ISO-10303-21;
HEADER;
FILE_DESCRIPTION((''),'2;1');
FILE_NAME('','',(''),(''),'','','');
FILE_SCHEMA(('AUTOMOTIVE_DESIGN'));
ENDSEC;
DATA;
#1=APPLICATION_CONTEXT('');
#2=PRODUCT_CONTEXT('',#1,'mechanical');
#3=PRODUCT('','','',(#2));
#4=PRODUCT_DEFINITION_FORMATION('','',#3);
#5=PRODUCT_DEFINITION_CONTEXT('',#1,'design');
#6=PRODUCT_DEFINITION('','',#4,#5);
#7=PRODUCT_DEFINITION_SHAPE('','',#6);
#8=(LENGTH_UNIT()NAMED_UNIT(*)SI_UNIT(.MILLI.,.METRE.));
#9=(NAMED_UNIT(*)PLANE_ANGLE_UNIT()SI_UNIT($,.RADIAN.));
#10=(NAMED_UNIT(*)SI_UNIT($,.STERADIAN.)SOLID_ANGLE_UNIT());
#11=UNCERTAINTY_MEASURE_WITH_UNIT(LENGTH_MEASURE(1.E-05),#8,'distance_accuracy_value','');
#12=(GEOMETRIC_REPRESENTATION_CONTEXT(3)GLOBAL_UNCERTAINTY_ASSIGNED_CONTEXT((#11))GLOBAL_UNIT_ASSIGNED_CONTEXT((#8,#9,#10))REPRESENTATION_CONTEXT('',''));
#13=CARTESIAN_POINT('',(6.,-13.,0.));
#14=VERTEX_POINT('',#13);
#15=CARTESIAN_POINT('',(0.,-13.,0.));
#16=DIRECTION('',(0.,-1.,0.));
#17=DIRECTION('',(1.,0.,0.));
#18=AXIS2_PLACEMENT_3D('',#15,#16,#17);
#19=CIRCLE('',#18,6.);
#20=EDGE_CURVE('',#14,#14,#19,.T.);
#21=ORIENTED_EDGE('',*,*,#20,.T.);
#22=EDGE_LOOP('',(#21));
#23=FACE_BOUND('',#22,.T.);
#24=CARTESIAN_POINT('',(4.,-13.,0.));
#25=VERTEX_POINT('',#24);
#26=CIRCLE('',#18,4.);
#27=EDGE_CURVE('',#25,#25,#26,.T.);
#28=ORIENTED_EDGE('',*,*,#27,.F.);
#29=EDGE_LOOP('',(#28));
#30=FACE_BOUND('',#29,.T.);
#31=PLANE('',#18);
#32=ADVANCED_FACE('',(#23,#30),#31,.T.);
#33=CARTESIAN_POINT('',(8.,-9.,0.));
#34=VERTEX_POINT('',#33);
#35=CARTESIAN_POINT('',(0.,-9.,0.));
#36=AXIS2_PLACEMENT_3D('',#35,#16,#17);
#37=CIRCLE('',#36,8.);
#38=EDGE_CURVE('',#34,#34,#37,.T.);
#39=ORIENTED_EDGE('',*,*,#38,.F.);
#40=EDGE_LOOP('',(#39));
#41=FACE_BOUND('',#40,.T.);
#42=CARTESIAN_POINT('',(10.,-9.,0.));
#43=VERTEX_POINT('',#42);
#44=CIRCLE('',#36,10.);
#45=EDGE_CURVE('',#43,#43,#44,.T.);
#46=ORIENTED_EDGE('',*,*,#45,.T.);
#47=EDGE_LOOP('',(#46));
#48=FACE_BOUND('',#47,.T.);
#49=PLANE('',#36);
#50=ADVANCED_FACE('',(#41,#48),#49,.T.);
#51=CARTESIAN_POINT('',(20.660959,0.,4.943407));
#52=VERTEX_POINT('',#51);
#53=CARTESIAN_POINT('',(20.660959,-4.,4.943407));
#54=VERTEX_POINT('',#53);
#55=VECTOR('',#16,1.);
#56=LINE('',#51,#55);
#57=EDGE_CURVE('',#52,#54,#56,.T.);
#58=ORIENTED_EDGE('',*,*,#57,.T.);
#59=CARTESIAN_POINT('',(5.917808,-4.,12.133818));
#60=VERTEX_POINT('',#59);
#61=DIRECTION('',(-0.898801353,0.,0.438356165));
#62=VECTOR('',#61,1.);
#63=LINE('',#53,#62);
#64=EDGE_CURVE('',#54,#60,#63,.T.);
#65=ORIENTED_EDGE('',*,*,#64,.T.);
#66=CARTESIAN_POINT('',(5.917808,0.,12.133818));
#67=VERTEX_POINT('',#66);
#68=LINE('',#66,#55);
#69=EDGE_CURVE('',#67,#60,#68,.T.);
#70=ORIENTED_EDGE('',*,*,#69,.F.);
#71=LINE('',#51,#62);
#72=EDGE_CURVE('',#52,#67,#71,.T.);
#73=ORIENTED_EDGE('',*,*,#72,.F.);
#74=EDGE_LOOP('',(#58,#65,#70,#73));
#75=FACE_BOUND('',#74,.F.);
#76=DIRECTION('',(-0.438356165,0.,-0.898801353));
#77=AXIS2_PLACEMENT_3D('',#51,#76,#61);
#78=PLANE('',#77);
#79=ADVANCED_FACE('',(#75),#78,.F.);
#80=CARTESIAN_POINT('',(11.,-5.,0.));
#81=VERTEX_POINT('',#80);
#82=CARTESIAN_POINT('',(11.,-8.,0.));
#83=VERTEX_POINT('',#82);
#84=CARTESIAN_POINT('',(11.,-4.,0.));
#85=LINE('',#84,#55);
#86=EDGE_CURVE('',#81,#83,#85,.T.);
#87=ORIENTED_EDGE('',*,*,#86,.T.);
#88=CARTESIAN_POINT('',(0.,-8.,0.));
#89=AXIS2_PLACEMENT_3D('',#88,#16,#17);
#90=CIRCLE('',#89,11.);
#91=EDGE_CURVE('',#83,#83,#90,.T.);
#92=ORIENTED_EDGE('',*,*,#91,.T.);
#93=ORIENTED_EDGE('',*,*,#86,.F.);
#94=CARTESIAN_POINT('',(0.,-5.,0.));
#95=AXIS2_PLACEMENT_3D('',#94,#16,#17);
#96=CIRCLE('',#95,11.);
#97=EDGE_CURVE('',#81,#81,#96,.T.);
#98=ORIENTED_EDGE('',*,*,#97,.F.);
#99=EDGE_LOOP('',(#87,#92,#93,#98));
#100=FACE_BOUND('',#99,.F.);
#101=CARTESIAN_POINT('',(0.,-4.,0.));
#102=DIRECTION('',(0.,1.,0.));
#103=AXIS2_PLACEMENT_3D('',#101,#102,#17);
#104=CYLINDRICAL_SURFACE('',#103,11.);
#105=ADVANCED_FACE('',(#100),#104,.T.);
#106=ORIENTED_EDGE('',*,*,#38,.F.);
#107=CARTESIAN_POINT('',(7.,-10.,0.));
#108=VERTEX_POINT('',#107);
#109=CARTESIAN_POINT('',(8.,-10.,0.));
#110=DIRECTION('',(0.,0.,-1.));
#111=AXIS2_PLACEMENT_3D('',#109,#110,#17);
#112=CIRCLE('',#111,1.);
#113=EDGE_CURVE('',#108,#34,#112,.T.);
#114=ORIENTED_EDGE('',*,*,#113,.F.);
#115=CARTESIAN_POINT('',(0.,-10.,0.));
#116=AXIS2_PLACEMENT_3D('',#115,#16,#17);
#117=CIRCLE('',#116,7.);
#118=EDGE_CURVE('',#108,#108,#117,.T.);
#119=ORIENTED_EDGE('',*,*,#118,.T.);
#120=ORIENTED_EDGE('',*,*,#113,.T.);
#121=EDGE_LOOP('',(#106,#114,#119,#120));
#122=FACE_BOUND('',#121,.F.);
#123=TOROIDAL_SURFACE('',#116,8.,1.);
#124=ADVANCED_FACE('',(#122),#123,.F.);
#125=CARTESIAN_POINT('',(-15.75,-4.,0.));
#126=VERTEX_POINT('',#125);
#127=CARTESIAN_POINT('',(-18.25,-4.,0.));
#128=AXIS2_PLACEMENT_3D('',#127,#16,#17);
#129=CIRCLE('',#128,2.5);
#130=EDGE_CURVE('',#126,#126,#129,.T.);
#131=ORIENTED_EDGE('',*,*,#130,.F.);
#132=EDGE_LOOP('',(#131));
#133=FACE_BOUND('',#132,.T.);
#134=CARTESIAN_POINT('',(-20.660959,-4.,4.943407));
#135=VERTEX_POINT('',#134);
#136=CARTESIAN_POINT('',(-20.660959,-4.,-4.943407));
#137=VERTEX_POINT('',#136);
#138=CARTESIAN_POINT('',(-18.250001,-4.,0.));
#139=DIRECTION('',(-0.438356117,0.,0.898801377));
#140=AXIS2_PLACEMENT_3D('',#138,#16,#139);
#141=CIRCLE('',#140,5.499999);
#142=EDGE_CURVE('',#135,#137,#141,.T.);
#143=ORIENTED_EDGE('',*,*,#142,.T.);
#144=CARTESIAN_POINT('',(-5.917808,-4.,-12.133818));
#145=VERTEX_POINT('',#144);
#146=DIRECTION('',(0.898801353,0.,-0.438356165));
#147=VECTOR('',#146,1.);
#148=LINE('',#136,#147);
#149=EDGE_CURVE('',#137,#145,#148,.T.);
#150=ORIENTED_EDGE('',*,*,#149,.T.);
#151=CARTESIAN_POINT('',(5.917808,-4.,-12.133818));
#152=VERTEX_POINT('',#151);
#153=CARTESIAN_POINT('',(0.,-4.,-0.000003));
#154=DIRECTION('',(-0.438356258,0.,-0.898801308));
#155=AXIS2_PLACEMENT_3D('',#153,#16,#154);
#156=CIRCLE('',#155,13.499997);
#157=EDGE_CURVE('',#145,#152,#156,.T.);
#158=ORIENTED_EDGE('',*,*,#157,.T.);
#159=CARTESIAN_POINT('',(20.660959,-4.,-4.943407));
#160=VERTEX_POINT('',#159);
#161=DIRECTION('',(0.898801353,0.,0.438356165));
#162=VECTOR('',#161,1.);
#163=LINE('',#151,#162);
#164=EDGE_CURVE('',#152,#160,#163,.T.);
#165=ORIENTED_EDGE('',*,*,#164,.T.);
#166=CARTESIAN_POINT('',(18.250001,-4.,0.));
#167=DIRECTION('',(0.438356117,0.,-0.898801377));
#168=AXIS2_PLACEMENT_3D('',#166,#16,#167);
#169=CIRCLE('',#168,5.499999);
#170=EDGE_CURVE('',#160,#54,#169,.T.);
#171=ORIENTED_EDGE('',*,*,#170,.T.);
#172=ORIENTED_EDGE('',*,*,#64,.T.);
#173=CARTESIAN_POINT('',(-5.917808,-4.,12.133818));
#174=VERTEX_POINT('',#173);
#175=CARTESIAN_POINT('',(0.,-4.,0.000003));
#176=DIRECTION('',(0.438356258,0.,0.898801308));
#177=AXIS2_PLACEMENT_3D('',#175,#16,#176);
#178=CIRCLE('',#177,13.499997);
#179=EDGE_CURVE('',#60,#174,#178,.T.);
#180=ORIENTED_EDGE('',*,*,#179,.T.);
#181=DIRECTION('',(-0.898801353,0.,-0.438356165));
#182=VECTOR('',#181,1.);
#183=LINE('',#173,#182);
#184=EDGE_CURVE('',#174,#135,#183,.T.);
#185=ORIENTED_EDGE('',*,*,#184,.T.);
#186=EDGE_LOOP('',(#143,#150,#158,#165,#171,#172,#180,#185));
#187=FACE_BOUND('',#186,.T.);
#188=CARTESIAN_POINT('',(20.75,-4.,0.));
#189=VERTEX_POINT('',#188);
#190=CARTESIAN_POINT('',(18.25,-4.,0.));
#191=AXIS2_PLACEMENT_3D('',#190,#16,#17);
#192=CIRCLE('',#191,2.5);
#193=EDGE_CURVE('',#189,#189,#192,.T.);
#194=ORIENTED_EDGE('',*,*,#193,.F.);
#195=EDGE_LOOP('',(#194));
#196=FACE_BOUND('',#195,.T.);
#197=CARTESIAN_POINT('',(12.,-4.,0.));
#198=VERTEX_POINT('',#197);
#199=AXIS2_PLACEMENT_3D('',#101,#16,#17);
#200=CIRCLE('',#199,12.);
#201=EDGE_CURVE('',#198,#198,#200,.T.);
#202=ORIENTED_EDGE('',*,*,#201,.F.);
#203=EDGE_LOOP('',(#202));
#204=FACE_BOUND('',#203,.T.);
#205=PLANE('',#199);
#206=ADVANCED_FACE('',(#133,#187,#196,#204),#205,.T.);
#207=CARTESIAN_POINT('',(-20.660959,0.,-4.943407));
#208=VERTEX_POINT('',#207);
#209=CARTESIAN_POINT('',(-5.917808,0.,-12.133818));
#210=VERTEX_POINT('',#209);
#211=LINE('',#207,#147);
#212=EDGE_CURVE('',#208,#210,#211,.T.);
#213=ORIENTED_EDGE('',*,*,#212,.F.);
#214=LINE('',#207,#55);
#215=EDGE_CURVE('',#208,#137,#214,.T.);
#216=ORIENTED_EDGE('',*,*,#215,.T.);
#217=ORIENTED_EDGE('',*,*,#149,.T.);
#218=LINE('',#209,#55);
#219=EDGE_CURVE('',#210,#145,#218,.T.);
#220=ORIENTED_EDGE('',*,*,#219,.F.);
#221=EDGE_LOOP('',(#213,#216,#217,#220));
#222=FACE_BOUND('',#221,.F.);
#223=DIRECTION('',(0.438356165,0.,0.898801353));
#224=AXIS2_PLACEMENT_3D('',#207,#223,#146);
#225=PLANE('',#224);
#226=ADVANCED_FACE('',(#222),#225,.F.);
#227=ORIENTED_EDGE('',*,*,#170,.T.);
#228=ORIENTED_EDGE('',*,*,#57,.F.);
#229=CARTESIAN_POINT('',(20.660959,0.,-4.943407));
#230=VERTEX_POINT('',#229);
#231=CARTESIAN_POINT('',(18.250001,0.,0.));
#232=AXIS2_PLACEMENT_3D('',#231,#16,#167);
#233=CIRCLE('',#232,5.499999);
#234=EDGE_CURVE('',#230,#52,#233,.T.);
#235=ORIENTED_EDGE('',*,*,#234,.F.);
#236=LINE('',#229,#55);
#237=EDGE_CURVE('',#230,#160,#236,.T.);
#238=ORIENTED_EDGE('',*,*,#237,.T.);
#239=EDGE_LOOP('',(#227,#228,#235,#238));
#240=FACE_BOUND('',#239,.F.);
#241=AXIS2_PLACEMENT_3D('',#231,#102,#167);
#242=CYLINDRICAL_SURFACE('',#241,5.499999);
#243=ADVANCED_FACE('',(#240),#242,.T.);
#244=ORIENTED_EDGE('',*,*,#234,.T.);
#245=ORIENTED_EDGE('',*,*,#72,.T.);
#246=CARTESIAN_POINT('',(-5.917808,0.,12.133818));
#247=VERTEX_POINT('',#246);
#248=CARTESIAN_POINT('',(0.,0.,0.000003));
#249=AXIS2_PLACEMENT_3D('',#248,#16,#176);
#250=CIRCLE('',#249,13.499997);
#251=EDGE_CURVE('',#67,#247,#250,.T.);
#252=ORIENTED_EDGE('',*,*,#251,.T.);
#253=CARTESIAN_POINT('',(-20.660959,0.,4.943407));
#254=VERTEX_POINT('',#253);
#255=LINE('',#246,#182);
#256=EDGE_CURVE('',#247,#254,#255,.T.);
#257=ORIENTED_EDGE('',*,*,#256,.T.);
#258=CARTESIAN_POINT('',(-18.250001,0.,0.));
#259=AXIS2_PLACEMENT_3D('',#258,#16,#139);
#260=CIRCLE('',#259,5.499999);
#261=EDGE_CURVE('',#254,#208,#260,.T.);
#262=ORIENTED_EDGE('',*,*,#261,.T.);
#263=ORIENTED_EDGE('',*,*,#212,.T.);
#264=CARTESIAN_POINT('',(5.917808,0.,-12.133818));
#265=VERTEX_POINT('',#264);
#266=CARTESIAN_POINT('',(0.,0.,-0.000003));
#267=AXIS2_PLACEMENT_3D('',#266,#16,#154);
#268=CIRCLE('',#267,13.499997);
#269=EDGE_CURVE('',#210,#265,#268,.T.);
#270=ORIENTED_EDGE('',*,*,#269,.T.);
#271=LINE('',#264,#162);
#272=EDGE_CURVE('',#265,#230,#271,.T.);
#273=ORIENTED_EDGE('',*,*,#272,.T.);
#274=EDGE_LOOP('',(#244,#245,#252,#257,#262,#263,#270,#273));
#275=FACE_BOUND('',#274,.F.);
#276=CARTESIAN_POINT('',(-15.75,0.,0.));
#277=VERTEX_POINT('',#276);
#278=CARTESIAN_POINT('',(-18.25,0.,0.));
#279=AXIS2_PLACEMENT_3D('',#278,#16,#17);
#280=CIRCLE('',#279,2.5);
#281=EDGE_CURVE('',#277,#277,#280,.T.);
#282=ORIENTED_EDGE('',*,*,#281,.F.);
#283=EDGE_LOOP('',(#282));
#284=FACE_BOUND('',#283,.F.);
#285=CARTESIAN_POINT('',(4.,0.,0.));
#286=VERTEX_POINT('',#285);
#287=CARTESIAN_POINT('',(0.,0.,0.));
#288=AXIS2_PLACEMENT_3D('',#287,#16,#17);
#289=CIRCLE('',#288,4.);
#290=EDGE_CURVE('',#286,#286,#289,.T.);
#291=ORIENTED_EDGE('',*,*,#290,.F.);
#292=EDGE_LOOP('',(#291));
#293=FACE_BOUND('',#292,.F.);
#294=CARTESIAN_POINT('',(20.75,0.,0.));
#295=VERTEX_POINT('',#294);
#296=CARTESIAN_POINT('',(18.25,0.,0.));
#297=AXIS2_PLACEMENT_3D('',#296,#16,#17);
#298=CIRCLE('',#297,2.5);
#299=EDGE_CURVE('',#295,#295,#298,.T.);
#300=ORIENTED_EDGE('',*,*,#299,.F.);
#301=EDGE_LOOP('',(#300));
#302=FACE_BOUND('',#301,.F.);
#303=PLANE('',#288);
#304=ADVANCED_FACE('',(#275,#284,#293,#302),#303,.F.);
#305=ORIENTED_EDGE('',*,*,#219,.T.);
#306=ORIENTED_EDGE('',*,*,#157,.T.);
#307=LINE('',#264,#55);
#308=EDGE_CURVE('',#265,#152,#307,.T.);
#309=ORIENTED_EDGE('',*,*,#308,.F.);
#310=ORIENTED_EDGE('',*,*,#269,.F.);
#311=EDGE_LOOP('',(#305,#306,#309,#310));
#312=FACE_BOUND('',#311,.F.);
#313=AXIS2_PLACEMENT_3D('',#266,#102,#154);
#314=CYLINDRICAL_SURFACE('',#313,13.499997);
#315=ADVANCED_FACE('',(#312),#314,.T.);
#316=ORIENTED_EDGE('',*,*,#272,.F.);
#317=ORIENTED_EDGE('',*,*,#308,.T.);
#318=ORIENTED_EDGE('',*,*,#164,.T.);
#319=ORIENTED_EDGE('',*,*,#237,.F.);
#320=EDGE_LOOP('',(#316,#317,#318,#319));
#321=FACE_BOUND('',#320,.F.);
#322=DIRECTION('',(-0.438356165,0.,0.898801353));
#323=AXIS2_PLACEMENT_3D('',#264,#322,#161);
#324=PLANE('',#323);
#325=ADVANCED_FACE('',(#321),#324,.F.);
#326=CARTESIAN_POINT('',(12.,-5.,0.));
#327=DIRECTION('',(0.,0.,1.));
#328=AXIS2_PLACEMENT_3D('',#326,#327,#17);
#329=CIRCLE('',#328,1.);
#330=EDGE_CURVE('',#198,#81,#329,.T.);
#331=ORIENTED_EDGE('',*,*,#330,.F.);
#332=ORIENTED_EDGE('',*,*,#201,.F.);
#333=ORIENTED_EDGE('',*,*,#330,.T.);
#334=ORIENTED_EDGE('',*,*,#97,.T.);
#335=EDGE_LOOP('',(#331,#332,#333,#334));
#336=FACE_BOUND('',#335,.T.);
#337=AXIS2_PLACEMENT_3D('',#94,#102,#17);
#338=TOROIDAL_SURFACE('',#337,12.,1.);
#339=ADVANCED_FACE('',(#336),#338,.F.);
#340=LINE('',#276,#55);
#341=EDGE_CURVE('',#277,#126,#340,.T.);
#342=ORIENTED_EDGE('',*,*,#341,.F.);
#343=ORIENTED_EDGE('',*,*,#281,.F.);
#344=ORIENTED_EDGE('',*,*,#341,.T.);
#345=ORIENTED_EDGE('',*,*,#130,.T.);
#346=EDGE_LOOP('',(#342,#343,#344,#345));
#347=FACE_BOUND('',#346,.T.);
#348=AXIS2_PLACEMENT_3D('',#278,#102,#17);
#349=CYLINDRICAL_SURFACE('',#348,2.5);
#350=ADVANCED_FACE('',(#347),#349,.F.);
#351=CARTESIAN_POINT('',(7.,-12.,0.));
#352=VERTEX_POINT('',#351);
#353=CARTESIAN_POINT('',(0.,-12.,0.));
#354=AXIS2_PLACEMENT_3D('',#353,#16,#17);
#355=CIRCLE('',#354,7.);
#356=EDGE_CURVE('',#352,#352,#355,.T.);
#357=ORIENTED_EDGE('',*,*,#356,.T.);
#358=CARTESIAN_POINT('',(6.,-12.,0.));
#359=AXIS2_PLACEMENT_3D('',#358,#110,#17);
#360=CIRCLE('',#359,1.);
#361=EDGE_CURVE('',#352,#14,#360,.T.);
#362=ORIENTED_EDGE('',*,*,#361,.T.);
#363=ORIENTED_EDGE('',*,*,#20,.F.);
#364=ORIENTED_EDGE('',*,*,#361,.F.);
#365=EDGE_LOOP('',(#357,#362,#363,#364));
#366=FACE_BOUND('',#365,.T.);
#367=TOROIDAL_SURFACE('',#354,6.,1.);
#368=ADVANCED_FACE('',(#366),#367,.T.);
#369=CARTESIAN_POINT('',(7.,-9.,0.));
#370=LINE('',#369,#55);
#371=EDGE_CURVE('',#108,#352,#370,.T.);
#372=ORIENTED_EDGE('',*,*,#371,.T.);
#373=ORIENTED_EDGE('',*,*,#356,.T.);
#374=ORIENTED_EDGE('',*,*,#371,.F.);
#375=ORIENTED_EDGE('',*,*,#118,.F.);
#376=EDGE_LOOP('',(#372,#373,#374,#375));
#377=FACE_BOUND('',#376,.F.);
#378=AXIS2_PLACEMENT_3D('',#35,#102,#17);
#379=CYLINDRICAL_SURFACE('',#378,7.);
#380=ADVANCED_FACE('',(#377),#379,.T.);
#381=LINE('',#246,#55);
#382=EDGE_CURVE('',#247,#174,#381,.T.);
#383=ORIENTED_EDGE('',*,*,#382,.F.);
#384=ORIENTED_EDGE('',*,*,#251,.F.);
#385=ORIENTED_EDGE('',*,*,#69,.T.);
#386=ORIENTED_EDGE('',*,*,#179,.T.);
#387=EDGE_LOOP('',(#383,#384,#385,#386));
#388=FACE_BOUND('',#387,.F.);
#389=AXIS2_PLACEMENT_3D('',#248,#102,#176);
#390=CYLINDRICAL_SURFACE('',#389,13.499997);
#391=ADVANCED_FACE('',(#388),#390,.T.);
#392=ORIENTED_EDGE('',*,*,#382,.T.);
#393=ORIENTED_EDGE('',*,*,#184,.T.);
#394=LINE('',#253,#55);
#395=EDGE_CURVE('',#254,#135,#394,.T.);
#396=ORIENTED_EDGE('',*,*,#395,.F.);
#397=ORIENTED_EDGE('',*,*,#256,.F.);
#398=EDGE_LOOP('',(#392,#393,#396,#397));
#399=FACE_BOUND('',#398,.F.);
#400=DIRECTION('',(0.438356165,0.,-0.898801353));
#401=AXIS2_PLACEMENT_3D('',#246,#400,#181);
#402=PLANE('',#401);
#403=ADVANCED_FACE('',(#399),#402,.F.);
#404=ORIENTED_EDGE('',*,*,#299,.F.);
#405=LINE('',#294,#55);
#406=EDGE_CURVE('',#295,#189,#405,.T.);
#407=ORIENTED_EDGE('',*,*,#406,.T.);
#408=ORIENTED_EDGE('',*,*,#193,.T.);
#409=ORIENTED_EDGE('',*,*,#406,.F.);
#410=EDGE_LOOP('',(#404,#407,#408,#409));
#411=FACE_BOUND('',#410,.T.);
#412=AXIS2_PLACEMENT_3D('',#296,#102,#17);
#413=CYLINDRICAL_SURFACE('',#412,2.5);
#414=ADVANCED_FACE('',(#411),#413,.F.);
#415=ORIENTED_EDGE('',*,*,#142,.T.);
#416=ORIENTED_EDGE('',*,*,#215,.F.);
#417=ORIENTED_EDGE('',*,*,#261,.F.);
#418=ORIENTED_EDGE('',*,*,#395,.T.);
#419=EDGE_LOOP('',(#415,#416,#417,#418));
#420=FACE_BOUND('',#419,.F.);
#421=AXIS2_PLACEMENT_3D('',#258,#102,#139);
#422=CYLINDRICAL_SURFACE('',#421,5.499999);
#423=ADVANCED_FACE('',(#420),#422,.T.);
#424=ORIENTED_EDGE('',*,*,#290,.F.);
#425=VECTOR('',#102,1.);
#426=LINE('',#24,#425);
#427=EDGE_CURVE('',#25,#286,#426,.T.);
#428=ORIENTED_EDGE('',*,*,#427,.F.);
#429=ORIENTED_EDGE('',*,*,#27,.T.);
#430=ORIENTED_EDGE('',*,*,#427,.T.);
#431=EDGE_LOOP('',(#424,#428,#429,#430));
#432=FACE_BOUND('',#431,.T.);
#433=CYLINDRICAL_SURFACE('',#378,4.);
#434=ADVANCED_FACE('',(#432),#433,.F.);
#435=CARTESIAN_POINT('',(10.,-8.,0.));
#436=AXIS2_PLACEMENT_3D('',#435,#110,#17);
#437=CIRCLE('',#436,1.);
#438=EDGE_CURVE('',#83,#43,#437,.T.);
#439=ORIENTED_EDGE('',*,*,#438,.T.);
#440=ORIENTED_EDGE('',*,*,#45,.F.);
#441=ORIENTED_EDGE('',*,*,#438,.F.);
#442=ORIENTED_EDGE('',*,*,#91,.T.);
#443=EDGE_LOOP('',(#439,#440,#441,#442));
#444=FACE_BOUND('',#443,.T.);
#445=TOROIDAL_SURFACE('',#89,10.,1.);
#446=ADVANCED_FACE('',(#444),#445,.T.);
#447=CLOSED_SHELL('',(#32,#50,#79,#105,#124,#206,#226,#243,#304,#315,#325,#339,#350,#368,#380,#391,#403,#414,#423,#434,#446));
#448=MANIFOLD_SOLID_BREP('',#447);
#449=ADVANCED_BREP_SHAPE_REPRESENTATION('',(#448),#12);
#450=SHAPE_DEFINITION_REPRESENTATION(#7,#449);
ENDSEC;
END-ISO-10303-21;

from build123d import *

# Parameters (mm, degrees)
F0_R     = 2.5
F0_R_2   = 4
F1_DEPTH = 4
F2_R     = 11
F2_R_2   = 4
F3_DEPTH = 5
F4_R     = 7
F4_R_2   = 4
F5_DEPTH = 4
F6_R     = 1


with BuildPart() as f1:
    # F0 (on Front) → F1 (new body)
    with BuildSketch(Plane.XZ):
        with BuildLine():
            Line((-20.660959, -4.943407), (-5.917808, -12.133818))
            ThreePointArc((-5.917808, -12.133818), (0, -13.5), (5.917808, -12.133818))
            Line((5.917808, -12.133818), (20.660959, -4.943407))
            ThreePointArc((20.660959, -4.943407), (23.75, 0), (20.660959, 4.943407))
            Line((20.660959, 4.943407), (5.917808, 12.133818))
            ThreePointArc((5.917808, 12.133818), (0, 13.5), (-5.917808, 12.133818))
            Line((-5.917808, 12.133818), (-20.660959, 4.943407))
            ThreePointArc((-20.660959, 4.943407), (-23.75, 0), (-20.660959, -4.943407))
        make_face()
        with Locations((-18.25, 0)):
            Circle(F0_R, mode=Mode.SUBTRACT)
        Circle(F0_R_2, mode=Mode.SUBTRACT)
        with Locations((18.25, 0)):
            Circle(F0_R, mode=Mode.SUBTRACT)
    extrude(amount=F1_DEPTH)

    # F2 (on face) → F3 (join)
    with BuildSketch(Plane.XZ.offset(4)):
        Circle(F2_R)
        Circle(F2_R_2, mode=Mode.SUBTRACT)
    extrude(amount=F3_DEPTH)

    # F4 (on face) → F5 (join)
    with BuildSketch(Plane.XZ.offset(9)):
        Circle(F4_R)
        Circle(F4_R_2, mode=Mode.SUBTRACT)
    extrude(amount=F5_DEPTH)

    # F6
    f6_edges = [f1.edges().sort_by_distance(p)[0] for p in [
        (-11, -9, 0),
        (-7, -9, 0),
        (-11, -4, 0),
        (-7, -13, 0),
    ]]
    fillet(f6_edges, radius=F6_R)


solid = f1.part
